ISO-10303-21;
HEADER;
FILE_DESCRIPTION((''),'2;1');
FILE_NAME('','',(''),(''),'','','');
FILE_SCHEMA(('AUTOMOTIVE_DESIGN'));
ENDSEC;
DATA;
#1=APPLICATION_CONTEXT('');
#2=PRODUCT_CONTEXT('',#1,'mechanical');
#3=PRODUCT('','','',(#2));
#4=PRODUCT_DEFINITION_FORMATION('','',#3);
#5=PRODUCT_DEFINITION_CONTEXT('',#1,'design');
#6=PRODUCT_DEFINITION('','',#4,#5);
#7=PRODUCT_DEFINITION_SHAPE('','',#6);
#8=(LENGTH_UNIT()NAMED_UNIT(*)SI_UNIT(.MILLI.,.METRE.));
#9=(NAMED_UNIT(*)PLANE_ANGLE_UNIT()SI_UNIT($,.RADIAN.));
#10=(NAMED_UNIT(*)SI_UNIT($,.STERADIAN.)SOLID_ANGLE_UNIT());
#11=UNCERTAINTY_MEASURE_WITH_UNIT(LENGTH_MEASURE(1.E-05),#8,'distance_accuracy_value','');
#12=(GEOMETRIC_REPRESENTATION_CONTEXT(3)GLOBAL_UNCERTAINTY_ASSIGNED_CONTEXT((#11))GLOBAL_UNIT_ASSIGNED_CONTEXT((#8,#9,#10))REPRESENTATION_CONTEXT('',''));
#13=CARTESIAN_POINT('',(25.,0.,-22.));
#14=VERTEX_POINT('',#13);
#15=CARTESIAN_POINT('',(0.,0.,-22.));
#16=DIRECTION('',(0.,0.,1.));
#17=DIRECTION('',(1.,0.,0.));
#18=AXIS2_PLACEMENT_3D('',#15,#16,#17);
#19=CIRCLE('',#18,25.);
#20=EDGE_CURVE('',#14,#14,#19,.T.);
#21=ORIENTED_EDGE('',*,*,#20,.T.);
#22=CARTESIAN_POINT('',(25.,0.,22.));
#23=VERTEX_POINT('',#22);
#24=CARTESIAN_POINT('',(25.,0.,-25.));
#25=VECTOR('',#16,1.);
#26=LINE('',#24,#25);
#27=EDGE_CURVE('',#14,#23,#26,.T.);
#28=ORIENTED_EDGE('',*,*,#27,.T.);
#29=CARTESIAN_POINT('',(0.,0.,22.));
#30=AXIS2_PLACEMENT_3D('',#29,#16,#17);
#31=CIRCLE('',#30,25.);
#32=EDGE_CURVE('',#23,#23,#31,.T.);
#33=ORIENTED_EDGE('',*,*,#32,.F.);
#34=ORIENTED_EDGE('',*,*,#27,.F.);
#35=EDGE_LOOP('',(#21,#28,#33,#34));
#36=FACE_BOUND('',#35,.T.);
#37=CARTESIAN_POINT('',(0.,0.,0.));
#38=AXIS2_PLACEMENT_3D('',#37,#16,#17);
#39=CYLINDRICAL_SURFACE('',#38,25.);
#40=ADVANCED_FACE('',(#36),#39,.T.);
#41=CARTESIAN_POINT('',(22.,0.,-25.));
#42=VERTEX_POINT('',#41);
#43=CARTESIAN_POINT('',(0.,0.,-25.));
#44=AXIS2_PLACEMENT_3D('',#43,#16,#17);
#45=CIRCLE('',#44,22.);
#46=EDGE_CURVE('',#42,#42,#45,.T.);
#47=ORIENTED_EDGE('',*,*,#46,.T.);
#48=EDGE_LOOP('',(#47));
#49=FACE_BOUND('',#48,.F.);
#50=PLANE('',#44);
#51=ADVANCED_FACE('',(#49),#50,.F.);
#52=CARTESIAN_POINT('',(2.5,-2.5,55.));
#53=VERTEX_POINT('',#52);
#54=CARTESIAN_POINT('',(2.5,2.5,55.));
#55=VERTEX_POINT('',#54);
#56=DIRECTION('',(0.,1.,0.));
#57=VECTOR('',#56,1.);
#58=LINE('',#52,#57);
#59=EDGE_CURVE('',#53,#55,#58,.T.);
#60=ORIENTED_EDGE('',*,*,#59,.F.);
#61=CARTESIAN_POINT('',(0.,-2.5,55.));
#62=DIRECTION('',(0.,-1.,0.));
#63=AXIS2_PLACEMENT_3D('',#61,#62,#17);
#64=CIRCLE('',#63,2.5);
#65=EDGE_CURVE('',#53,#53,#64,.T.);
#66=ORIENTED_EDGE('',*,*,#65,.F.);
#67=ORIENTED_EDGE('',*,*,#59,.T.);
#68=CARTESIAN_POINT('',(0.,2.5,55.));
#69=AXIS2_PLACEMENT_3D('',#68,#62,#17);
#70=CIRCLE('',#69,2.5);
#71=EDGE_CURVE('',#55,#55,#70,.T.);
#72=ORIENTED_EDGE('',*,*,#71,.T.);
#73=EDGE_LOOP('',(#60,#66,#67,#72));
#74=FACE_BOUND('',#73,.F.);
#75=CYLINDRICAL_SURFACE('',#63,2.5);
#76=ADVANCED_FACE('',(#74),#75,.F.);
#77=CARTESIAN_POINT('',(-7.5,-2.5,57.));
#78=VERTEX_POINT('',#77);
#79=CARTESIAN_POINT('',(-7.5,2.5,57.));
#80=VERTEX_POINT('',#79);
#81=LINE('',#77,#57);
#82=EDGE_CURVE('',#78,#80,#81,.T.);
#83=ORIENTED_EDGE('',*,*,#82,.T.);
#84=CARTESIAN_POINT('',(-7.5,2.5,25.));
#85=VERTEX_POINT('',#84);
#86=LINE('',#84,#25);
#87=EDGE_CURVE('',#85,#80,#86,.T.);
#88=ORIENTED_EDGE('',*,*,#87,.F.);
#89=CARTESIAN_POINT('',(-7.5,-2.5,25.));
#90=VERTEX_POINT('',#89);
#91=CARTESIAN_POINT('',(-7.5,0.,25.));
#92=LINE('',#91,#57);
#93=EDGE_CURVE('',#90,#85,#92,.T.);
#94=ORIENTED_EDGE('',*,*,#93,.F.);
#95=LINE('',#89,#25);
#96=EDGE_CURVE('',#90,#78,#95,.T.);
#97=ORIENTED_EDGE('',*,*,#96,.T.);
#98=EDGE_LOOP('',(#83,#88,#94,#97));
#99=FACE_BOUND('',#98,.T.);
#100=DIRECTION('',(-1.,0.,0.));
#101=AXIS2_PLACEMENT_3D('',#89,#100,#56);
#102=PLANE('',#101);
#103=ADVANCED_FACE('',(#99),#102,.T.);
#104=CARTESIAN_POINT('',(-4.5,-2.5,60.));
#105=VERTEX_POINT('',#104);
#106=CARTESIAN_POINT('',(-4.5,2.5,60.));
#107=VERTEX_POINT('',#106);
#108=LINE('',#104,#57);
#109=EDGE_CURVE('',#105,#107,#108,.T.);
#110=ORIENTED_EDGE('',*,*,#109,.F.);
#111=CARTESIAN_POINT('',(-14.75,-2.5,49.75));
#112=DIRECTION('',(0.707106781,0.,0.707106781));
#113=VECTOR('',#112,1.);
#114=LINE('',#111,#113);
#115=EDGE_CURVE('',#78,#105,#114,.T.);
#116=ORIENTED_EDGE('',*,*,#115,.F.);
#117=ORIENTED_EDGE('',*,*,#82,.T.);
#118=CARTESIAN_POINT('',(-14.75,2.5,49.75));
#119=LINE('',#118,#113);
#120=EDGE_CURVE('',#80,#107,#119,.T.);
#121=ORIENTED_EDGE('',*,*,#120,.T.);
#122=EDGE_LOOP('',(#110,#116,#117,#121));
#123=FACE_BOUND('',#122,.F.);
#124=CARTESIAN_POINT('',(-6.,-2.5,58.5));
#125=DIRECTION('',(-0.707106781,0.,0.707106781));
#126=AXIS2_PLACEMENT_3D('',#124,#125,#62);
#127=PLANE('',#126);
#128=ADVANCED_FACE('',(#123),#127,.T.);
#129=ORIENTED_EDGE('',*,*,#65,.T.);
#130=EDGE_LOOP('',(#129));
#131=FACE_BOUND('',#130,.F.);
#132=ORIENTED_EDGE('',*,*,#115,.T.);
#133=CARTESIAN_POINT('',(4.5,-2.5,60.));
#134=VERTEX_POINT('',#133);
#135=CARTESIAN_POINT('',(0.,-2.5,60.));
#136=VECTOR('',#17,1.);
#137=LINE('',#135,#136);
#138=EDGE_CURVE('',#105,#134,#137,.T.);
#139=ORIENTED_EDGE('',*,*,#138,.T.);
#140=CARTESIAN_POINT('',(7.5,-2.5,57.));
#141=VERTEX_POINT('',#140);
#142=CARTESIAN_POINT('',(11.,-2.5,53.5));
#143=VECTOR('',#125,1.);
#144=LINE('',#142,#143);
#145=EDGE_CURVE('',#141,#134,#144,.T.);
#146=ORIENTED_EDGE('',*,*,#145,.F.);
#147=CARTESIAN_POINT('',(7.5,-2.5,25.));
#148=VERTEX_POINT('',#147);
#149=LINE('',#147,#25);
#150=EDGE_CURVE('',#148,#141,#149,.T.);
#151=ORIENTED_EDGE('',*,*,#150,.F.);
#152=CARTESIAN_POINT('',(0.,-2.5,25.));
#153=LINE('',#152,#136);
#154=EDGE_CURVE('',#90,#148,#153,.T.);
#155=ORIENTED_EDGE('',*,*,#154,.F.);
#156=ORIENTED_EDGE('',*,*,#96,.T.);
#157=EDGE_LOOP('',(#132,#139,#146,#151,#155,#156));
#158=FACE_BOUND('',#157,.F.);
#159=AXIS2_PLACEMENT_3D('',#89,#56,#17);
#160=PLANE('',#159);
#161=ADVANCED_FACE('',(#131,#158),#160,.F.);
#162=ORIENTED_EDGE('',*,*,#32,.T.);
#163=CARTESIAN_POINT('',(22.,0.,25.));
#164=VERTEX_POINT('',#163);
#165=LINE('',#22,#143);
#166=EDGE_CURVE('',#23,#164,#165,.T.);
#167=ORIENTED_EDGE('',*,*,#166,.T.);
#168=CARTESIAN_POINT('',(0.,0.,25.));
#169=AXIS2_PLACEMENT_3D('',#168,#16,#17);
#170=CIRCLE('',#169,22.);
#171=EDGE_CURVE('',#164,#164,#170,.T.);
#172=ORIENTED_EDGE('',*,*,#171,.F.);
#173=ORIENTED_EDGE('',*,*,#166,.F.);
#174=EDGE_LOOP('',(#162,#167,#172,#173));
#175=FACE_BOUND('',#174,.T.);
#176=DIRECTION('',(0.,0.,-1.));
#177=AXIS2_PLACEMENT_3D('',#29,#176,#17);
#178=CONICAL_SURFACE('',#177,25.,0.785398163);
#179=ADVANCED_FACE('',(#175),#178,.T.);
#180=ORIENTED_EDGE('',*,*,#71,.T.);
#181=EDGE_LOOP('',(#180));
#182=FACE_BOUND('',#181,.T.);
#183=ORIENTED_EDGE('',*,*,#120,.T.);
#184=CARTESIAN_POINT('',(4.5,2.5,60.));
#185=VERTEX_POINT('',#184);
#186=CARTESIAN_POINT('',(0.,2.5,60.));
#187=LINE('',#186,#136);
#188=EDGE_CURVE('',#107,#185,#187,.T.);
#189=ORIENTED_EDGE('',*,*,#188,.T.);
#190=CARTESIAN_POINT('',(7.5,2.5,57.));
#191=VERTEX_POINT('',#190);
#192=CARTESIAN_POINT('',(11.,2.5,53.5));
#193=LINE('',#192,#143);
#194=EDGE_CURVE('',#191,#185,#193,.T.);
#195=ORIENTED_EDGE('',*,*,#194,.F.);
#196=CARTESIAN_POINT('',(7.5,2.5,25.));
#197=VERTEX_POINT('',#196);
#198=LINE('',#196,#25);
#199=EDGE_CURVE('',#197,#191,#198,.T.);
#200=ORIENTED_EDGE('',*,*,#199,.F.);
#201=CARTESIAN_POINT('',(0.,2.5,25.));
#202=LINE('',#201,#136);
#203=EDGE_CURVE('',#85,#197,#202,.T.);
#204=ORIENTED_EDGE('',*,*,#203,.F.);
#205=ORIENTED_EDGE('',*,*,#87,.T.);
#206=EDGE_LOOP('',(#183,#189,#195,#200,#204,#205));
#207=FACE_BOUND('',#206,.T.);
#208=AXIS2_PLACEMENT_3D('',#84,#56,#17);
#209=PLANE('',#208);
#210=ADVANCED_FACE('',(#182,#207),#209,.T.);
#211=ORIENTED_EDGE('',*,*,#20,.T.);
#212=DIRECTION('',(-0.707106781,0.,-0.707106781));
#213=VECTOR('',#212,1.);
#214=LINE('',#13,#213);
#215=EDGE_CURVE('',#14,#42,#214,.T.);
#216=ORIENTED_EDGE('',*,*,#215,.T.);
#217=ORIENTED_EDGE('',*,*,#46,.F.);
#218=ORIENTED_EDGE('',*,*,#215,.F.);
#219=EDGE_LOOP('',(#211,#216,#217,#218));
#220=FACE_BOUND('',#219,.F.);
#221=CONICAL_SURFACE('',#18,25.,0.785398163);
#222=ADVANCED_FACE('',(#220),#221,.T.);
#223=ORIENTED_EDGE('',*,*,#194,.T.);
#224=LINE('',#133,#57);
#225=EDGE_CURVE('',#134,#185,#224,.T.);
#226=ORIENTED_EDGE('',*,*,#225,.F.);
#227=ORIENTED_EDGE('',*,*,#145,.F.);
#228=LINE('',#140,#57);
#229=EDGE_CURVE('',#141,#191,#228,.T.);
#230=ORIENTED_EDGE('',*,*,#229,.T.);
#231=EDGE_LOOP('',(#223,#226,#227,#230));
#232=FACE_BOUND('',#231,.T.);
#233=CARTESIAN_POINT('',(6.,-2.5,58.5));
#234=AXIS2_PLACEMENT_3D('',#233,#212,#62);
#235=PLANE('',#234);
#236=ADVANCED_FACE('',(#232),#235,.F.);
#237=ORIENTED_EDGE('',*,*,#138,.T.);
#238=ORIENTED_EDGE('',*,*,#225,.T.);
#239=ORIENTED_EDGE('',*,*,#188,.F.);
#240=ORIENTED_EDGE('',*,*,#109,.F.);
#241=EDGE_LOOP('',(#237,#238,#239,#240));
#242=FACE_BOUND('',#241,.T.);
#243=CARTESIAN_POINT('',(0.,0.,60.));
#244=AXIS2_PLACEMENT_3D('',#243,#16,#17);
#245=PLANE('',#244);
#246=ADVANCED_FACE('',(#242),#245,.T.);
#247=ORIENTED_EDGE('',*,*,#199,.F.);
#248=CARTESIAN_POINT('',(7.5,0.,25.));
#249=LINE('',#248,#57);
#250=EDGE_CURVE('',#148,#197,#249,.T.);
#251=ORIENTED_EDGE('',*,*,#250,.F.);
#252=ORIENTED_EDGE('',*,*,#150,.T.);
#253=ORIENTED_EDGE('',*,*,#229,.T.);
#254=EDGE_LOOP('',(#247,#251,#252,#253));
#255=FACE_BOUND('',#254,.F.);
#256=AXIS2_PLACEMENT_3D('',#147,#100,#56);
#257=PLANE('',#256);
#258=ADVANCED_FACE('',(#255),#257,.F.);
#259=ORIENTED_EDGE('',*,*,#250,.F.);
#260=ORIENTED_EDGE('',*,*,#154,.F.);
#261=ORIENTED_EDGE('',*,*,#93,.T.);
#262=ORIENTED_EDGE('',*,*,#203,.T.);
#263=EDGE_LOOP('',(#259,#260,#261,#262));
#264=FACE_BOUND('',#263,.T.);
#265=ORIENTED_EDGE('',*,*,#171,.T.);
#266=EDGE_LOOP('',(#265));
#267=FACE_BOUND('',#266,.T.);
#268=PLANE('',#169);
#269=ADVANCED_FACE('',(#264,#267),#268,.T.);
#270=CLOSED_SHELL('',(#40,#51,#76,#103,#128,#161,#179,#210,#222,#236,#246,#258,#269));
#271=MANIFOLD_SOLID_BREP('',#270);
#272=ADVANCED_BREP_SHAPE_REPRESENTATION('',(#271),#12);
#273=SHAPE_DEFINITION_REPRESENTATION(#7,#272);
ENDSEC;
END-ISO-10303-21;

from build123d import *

# Parameters (mm, degrees)
F0_R     = 25
F1_DEPTH = 25
F2_W     = 15
F2_H     = 5
F3_DEPTH = 35
F4_R     = 2.5
F5_DEPTH = 5
F6_SIZE  = 3


with BuildPart() as f1:
    # F0 (on Top) → F1 (new body, symmetric)
    with BuildSketch(Plane.XY):
        Circle(F0_R)
    extrude(amount=F1_DEPTH, both=True)

    # F2 (on face) → F3 (join)
    with BuildSketch(Plane.XY.offset(25)):
        Rectangle(F2_W, F2_H)
    extrude(amount=F3_DEPTH)

    # F4 (on face) → F5 (cut, through all)
    with BuildSketch(Plane.XZ.offset(2.5)):
        with Locations((0, 55)):
            Circle(F4_R)
    extrude(amount=-F5_DEPTH, mode=Mode.SUBTRACT)

    # F6
    f6_edges = [f1.edges().sort_by_distance(p)[0] for p in [
        (-25, 0, 25),
        (-25, 0, -25),
        (-7.5, 0, 60),
        (7.5, 0, 60),
    ]]
    chamfer(f6_edges, length=F6_SIZE)


solid = f1.part
